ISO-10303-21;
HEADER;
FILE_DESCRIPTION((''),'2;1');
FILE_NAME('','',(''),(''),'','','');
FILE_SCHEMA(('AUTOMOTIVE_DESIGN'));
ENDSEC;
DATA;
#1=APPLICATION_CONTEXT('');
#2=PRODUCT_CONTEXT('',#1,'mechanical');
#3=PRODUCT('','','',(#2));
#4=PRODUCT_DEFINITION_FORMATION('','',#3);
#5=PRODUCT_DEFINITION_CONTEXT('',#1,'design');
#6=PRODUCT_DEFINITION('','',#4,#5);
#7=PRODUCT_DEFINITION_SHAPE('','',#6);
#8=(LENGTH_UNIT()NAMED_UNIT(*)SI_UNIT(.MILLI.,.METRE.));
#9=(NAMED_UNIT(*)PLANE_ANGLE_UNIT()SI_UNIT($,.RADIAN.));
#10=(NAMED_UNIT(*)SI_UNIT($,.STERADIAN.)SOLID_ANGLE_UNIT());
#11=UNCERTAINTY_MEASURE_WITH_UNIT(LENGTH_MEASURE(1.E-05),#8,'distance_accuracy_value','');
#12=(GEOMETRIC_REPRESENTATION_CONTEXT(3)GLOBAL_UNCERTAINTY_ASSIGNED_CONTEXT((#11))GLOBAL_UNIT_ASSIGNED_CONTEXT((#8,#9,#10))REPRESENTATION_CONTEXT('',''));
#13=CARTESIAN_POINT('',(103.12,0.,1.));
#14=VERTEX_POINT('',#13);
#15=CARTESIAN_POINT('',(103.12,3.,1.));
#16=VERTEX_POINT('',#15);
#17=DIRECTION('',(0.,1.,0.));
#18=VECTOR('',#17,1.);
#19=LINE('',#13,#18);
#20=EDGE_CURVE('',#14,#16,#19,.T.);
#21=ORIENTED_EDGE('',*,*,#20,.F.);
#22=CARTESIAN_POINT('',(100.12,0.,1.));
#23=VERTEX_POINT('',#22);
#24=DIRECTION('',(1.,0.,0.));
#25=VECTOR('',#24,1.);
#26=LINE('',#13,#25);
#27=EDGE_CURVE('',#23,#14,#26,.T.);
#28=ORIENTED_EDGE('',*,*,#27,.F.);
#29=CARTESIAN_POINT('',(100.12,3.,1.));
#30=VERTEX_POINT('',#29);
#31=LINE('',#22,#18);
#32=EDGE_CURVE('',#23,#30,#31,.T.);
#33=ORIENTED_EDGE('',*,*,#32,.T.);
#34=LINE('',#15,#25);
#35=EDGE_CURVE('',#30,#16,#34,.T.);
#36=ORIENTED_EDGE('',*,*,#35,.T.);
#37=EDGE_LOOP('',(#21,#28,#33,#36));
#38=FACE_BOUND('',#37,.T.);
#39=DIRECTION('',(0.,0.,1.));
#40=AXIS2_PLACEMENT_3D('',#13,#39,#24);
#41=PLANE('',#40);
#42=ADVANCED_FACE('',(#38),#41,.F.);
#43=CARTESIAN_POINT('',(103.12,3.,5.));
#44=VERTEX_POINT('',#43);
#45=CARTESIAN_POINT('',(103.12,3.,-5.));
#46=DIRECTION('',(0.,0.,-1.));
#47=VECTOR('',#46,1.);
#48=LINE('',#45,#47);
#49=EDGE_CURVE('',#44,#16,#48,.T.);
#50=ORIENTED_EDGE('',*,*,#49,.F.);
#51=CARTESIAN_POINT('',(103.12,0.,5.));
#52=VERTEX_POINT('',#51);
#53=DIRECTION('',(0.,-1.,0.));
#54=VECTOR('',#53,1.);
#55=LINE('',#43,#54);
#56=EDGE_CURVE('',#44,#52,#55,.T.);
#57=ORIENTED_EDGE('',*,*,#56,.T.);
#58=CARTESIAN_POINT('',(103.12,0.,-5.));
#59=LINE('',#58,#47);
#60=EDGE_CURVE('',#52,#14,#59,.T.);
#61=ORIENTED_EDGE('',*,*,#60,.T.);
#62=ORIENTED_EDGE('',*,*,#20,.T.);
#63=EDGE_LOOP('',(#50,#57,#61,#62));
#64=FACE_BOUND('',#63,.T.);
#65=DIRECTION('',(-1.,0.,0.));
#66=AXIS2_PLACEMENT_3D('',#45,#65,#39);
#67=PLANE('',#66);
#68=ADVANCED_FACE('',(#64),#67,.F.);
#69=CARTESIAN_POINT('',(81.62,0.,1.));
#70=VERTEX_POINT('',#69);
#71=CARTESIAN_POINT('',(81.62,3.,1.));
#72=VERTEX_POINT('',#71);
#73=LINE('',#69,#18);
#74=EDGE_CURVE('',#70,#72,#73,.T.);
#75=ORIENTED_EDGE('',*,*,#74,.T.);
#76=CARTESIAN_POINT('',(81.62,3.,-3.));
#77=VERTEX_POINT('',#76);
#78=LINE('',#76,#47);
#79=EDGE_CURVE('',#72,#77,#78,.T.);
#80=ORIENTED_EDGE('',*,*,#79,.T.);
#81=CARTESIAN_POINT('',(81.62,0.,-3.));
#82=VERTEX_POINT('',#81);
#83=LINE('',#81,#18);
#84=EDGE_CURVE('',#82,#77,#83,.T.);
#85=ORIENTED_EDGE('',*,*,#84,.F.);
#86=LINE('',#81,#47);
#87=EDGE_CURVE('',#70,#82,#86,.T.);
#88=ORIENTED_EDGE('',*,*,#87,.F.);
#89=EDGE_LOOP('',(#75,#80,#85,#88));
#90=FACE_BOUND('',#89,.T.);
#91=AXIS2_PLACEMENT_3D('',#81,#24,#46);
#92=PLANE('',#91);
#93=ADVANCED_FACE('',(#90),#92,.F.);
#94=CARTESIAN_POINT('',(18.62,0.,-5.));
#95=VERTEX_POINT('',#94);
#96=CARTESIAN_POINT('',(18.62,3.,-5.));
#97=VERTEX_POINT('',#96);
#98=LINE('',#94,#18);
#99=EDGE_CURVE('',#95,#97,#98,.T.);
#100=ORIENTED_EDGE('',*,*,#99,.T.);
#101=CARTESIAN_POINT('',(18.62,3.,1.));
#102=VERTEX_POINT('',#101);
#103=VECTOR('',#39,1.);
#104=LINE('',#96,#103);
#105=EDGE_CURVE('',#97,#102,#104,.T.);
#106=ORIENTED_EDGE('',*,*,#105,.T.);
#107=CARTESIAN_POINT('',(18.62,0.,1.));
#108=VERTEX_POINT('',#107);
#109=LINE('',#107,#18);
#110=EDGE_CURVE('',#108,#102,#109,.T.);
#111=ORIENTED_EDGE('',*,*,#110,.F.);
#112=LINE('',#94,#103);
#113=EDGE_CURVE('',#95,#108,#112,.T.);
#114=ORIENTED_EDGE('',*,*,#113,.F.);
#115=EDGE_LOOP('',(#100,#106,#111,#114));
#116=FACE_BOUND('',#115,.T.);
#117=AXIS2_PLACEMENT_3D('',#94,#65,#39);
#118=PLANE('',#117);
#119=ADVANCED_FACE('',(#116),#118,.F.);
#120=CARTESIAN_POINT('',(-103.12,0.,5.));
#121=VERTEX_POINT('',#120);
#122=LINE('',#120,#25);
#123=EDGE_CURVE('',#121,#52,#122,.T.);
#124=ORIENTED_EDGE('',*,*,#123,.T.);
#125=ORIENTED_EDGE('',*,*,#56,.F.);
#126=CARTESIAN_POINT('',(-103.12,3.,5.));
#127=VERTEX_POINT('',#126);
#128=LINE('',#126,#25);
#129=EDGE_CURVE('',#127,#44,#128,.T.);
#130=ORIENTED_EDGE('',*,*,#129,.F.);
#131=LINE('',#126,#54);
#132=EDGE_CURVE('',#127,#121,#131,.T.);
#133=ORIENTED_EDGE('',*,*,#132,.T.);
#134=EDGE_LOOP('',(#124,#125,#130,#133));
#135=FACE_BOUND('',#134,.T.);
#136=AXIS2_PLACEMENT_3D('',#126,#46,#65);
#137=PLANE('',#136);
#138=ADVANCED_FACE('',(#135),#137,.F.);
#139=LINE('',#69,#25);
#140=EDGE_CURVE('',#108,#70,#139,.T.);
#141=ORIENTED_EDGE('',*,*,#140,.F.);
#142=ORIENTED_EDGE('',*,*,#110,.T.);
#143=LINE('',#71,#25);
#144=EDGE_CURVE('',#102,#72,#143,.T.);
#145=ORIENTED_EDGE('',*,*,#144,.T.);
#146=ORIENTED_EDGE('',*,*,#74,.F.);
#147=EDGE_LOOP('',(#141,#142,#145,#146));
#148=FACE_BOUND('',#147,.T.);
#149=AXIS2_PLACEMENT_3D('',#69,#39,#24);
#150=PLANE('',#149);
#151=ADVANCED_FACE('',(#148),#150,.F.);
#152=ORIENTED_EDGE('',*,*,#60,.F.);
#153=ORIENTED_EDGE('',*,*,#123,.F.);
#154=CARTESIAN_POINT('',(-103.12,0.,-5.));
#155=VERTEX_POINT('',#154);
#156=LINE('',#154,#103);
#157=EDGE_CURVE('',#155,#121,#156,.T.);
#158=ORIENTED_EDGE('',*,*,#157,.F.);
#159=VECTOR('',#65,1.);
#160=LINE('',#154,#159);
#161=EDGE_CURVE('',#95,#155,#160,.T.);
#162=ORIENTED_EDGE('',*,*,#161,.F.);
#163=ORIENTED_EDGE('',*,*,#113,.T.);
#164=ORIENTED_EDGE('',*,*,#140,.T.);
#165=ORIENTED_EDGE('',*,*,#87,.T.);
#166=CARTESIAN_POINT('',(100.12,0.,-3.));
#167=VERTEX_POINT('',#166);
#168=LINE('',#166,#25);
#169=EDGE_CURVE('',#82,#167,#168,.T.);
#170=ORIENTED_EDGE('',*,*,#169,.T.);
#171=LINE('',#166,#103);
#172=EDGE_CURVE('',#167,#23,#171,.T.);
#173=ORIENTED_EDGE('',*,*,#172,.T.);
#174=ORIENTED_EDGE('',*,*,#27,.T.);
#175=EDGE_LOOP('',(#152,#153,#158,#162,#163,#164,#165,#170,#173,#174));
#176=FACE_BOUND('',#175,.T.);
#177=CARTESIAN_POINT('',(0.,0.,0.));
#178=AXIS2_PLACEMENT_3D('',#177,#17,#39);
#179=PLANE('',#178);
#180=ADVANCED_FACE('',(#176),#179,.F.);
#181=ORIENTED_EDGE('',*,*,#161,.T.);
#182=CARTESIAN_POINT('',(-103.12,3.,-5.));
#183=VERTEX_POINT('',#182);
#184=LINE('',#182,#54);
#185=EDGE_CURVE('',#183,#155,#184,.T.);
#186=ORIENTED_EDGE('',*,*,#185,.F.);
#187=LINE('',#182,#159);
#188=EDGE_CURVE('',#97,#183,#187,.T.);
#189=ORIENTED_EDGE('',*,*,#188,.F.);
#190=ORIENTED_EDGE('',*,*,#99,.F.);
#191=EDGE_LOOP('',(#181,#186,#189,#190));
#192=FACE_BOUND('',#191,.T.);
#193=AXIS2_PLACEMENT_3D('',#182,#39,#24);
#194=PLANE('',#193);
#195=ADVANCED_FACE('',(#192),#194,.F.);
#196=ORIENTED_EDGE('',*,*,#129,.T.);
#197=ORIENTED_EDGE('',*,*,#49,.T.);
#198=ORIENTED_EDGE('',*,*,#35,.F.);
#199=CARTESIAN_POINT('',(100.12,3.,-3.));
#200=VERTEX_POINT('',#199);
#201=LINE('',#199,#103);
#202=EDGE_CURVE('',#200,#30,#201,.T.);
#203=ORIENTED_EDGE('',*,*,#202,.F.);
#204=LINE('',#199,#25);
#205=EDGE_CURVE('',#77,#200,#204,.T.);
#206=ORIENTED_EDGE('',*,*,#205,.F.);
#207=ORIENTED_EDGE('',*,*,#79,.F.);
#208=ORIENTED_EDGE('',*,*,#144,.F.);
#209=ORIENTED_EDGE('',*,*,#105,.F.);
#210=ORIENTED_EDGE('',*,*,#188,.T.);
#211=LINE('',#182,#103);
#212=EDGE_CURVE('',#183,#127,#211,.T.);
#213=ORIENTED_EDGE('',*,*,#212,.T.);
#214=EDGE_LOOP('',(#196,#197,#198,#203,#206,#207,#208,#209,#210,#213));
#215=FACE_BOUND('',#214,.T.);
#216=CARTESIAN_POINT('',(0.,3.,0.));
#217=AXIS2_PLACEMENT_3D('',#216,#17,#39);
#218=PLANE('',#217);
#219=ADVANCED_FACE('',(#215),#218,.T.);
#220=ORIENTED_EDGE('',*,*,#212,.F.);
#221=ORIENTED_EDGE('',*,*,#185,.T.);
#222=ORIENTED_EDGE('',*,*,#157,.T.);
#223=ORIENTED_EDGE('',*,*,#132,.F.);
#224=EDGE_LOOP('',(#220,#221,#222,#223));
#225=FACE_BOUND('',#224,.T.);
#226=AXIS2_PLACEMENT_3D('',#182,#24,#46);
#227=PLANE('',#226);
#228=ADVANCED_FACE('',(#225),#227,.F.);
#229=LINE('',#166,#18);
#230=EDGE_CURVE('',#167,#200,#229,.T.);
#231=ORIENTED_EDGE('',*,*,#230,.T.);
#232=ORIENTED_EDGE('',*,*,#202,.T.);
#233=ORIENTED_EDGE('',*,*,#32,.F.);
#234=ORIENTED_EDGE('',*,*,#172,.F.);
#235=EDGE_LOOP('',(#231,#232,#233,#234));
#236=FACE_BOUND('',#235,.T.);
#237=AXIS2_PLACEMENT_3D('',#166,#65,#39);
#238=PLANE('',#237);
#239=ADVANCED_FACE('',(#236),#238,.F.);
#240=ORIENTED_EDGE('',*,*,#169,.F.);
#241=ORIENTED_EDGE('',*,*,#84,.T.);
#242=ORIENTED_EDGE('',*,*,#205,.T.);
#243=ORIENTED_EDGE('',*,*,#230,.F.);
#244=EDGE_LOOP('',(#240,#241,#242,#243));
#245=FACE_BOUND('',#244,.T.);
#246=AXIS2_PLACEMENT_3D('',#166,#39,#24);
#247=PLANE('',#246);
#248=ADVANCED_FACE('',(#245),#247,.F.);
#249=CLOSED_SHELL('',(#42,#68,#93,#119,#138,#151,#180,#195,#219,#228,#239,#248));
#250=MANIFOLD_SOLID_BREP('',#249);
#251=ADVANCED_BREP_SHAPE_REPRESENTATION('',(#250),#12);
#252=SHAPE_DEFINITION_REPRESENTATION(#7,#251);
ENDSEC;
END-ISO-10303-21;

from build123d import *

# Parameters (mm, degrees)
SKETCH1_W           = 206.24
SKETCH1_H           = 10
BOSS_EXTRUDE1_DEPTH = 3
CUT_EXTRUDE1_DEPTH  = 104.284724911


with BuildPart() as part:
    # Sketch1 → Boss-Extrude1 (new body)
    with BuildSketch(Plane(origin=(0, 0, 0), x_dir=(1, 0, 0), z_dir=(0, 1, 0))):
        Rectangle(SKETCH1_W, SKETCH1_H)
    extrude(amount=BOSS_EXTRUDE1_DEPTH)

    # Sketch2 → Cut-Extrude1 (cut, through all)
    with BuildSketch(Plane(origin=(0, 3, 0), x_dir=(1, 0, 0), z_dir=(0, 1, 0))):
        Polygon((103.12, 5), (18.62, 5), (18.62, -1), (81.62, -1), (81.62, 3), (100.12, 3), (100.12, -1), (103.12, -1), align=None)
    extrude(amount=-CUT_EXTRUDE1_DEPTH, mode=Mode.SUBTRACT)


solid = part.part
